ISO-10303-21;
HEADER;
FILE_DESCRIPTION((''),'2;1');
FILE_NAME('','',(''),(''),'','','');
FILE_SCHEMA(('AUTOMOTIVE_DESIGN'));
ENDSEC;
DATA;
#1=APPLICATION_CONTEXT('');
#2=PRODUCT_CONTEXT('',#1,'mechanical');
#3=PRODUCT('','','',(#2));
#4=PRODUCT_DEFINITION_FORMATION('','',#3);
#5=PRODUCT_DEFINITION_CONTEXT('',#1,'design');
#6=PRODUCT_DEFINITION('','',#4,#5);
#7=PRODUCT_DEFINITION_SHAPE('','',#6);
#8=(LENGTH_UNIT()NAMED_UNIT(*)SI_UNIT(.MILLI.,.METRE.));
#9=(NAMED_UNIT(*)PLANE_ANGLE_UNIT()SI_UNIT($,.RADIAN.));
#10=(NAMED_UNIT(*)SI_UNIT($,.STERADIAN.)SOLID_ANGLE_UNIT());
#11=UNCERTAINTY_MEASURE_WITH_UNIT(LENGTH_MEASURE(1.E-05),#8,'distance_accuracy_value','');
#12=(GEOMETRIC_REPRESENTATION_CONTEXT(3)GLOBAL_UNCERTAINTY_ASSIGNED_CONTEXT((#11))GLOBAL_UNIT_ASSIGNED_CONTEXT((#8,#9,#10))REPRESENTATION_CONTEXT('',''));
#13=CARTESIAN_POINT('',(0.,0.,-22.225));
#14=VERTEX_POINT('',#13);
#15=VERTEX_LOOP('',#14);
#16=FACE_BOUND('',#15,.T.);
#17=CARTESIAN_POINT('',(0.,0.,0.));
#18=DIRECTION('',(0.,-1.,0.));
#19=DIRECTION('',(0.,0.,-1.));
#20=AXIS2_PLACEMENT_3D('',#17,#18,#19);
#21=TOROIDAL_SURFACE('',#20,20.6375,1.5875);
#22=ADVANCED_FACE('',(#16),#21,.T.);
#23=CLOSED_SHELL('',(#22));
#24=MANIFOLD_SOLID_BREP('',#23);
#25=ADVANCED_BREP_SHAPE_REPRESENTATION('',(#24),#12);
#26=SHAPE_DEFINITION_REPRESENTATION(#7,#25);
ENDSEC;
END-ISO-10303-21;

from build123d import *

# Parameters (mm, degrees)
SKETCH4_R = 1.5875


with BuildPart() as part:
    # Sketch4 → Revolve1 (revolve)
    with BuildSketch(Plane.XY):
        with Locations((-20.6375, 0)):
            Circle(SKETCH4_R)
    revolve(axis=Axis((0, 0, 0), (0, 1, 0)))


solid = part.part
